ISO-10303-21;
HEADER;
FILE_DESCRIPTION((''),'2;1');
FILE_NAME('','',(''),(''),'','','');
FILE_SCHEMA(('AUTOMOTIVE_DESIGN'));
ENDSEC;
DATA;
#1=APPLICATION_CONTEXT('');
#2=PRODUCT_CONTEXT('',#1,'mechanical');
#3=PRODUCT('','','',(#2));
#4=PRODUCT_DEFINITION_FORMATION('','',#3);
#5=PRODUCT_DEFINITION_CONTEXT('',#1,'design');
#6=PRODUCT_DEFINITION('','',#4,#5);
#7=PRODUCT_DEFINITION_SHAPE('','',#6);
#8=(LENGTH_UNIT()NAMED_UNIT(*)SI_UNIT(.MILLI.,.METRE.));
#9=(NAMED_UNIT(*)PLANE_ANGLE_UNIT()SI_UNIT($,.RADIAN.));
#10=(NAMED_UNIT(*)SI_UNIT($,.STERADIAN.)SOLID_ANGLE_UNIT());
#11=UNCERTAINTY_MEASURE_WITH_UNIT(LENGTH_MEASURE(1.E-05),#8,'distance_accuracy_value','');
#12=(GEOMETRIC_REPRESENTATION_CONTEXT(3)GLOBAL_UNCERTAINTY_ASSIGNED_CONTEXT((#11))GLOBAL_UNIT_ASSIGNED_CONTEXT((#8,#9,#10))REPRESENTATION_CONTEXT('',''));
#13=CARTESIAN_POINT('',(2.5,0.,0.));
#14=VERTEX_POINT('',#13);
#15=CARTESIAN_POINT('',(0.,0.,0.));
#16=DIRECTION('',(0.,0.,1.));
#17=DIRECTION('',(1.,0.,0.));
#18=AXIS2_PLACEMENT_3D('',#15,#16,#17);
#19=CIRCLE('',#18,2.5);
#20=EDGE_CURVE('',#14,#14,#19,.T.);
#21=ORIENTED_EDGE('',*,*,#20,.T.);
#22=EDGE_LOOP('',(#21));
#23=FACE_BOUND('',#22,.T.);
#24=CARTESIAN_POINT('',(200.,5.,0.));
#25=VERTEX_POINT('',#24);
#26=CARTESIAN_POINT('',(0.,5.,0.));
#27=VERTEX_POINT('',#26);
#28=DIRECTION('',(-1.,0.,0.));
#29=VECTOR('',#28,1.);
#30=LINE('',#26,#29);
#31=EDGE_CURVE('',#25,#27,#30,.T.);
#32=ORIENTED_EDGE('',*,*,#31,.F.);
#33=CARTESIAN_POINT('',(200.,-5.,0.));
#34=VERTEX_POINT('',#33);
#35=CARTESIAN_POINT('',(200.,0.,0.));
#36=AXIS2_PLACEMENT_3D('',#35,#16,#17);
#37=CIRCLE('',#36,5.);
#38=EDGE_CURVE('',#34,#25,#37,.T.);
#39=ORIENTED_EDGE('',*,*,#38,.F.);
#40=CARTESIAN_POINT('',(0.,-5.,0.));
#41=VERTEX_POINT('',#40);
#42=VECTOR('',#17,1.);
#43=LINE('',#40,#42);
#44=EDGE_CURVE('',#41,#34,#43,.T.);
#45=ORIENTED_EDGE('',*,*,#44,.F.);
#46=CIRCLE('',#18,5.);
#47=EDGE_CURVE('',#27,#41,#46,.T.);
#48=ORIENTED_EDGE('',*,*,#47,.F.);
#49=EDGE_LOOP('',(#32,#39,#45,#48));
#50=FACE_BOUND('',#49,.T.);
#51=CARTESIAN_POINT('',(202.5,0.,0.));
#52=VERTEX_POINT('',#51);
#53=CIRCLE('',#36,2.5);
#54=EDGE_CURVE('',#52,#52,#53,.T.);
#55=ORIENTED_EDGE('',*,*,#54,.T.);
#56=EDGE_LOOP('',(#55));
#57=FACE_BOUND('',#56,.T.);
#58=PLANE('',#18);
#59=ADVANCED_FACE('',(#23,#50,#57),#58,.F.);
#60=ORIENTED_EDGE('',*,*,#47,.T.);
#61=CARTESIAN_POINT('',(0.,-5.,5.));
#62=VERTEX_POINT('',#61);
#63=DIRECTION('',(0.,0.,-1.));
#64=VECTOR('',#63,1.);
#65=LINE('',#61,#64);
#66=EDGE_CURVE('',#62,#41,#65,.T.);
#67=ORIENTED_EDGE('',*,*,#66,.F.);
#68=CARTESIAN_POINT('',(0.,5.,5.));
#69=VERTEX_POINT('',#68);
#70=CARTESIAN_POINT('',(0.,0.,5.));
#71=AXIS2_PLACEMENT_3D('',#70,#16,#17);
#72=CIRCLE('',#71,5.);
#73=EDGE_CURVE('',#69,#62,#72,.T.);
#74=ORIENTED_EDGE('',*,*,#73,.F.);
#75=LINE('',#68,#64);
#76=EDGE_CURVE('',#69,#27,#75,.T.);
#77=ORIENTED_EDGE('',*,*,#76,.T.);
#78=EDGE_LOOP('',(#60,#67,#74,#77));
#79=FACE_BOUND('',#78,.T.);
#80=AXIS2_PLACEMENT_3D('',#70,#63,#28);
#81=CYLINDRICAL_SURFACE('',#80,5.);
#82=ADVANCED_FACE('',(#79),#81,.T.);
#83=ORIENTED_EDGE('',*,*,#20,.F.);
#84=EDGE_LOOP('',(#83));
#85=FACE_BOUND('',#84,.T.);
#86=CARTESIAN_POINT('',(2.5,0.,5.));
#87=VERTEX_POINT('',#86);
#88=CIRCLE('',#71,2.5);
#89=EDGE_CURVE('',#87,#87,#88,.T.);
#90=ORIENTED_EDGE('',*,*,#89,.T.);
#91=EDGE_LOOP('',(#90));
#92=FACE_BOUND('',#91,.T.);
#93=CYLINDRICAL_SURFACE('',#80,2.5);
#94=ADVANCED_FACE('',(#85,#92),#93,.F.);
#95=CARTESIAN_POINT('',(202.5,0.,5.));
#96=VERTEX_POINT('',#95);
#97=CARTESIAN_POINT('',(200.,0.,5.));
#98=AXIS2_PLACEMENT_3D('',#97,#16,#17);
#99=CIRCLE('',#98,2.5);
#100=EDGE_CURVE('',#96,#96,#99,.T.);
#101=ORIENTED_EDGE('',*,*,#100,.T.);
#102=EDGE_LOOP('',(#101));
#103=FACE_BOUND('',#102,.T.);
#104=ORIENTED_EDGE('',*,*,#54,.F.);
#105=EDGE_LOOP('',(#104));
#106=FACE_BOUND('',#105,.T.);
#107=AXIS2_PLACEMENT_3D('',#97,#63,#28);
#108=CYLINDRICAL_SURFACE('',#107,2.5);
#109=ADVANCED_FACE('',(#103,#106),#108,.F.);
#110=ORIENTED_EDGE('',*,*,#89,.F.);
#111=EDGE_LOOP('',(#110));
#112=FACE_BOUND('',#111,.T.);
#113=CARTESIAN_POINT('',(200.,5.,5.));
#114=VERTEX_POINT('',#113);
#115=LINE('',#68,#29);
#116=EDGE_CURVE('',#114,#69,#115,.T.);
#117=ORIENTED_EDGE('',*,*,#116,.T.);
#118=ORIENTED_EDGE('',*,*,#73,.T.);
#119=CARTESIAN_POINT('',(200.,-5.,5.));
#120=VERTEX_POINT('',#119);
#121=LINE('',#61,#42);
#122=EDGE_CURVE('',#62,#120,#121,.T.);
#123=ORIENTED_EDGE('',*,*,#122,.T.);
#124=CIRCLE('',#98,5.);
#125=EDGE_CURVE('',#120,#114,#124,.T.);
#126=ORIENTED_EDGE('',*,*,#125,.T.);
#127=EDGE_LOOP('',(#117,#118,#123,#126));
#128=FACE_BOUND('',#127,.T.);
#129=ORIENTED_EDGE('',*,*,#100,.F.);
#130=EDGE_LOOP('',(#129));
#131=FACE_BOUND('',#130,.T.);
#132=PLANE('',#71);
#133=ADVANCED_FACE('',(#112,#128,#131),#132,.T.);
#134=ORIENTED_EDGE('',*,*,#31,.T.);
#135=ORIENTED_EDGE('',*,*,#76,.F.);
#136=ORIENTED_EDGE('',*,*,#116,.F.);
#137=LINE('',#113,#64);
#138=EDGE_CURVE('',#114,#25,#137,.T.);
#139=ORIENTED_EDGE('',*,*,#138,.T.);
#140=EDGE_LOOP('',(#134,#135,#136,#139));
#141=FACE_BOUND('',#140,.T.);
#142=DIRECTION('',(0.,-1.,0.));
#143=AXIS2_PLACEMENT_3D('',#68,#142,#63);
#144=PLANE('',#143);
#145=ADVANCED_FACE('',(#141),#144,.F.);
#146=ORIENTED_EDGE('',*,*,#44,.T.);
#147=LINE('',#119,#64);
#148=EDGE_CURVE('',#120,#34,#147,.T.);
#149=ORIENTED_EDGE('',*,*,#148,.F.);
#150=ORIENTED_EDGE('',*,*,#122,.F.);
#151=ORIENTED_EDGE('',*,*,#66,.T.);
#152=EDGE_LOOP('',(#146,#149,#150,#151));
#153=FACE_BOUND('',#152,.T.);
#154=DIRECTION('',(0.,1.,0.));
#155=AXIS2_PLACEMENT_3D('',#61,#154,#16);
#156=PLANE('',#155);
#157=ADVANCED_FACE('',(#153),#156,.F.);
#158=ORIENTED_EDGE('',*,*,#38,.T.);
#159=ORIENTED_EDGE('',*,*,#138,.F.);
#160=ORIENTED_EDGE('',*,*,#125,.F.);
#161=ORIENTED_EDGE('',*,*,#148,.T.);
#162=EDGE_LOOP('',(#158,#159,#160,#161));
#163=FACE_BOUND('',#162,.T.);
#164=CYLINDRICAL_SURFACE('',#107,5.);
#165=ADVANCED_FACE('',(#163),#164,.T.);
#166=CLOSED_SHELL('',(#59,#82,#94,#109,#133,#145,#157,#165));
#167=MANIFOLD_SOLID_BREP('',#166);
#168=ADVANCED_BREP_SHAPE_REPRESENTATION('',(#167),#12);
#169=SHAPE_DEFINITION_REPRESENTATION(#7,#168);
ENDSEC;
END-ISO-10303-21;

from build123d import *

# Parameters (mm, degrees)
SKETCH_1_R      = 2.5
EXTRUDE_2_DEPTH = 5


with BuildPart() as part:
    # 草图1 → 凸台-拉伸2 (new body)
    with BuildSketch(Plane.XY):
        with BuildLine():
            Line((0, 5), (200, 5))
            ThreePointArc((200, 5), (205, 0), (200, -5))
            Line((200, -5), (0, -5))
            ThreePointArc((0, -5), (-5, 0), (0, 5))
        make_face()
        Circle(SKETCH_1_R, mode=Mode.SUBTRACT)
        with Locations((200, 0)):
            Circle(SKETCH_1_R, mode=Mode.SUBTRACT)
    extrude(amount=EXTRUDE_2_DEPTH)


solid = part.part
